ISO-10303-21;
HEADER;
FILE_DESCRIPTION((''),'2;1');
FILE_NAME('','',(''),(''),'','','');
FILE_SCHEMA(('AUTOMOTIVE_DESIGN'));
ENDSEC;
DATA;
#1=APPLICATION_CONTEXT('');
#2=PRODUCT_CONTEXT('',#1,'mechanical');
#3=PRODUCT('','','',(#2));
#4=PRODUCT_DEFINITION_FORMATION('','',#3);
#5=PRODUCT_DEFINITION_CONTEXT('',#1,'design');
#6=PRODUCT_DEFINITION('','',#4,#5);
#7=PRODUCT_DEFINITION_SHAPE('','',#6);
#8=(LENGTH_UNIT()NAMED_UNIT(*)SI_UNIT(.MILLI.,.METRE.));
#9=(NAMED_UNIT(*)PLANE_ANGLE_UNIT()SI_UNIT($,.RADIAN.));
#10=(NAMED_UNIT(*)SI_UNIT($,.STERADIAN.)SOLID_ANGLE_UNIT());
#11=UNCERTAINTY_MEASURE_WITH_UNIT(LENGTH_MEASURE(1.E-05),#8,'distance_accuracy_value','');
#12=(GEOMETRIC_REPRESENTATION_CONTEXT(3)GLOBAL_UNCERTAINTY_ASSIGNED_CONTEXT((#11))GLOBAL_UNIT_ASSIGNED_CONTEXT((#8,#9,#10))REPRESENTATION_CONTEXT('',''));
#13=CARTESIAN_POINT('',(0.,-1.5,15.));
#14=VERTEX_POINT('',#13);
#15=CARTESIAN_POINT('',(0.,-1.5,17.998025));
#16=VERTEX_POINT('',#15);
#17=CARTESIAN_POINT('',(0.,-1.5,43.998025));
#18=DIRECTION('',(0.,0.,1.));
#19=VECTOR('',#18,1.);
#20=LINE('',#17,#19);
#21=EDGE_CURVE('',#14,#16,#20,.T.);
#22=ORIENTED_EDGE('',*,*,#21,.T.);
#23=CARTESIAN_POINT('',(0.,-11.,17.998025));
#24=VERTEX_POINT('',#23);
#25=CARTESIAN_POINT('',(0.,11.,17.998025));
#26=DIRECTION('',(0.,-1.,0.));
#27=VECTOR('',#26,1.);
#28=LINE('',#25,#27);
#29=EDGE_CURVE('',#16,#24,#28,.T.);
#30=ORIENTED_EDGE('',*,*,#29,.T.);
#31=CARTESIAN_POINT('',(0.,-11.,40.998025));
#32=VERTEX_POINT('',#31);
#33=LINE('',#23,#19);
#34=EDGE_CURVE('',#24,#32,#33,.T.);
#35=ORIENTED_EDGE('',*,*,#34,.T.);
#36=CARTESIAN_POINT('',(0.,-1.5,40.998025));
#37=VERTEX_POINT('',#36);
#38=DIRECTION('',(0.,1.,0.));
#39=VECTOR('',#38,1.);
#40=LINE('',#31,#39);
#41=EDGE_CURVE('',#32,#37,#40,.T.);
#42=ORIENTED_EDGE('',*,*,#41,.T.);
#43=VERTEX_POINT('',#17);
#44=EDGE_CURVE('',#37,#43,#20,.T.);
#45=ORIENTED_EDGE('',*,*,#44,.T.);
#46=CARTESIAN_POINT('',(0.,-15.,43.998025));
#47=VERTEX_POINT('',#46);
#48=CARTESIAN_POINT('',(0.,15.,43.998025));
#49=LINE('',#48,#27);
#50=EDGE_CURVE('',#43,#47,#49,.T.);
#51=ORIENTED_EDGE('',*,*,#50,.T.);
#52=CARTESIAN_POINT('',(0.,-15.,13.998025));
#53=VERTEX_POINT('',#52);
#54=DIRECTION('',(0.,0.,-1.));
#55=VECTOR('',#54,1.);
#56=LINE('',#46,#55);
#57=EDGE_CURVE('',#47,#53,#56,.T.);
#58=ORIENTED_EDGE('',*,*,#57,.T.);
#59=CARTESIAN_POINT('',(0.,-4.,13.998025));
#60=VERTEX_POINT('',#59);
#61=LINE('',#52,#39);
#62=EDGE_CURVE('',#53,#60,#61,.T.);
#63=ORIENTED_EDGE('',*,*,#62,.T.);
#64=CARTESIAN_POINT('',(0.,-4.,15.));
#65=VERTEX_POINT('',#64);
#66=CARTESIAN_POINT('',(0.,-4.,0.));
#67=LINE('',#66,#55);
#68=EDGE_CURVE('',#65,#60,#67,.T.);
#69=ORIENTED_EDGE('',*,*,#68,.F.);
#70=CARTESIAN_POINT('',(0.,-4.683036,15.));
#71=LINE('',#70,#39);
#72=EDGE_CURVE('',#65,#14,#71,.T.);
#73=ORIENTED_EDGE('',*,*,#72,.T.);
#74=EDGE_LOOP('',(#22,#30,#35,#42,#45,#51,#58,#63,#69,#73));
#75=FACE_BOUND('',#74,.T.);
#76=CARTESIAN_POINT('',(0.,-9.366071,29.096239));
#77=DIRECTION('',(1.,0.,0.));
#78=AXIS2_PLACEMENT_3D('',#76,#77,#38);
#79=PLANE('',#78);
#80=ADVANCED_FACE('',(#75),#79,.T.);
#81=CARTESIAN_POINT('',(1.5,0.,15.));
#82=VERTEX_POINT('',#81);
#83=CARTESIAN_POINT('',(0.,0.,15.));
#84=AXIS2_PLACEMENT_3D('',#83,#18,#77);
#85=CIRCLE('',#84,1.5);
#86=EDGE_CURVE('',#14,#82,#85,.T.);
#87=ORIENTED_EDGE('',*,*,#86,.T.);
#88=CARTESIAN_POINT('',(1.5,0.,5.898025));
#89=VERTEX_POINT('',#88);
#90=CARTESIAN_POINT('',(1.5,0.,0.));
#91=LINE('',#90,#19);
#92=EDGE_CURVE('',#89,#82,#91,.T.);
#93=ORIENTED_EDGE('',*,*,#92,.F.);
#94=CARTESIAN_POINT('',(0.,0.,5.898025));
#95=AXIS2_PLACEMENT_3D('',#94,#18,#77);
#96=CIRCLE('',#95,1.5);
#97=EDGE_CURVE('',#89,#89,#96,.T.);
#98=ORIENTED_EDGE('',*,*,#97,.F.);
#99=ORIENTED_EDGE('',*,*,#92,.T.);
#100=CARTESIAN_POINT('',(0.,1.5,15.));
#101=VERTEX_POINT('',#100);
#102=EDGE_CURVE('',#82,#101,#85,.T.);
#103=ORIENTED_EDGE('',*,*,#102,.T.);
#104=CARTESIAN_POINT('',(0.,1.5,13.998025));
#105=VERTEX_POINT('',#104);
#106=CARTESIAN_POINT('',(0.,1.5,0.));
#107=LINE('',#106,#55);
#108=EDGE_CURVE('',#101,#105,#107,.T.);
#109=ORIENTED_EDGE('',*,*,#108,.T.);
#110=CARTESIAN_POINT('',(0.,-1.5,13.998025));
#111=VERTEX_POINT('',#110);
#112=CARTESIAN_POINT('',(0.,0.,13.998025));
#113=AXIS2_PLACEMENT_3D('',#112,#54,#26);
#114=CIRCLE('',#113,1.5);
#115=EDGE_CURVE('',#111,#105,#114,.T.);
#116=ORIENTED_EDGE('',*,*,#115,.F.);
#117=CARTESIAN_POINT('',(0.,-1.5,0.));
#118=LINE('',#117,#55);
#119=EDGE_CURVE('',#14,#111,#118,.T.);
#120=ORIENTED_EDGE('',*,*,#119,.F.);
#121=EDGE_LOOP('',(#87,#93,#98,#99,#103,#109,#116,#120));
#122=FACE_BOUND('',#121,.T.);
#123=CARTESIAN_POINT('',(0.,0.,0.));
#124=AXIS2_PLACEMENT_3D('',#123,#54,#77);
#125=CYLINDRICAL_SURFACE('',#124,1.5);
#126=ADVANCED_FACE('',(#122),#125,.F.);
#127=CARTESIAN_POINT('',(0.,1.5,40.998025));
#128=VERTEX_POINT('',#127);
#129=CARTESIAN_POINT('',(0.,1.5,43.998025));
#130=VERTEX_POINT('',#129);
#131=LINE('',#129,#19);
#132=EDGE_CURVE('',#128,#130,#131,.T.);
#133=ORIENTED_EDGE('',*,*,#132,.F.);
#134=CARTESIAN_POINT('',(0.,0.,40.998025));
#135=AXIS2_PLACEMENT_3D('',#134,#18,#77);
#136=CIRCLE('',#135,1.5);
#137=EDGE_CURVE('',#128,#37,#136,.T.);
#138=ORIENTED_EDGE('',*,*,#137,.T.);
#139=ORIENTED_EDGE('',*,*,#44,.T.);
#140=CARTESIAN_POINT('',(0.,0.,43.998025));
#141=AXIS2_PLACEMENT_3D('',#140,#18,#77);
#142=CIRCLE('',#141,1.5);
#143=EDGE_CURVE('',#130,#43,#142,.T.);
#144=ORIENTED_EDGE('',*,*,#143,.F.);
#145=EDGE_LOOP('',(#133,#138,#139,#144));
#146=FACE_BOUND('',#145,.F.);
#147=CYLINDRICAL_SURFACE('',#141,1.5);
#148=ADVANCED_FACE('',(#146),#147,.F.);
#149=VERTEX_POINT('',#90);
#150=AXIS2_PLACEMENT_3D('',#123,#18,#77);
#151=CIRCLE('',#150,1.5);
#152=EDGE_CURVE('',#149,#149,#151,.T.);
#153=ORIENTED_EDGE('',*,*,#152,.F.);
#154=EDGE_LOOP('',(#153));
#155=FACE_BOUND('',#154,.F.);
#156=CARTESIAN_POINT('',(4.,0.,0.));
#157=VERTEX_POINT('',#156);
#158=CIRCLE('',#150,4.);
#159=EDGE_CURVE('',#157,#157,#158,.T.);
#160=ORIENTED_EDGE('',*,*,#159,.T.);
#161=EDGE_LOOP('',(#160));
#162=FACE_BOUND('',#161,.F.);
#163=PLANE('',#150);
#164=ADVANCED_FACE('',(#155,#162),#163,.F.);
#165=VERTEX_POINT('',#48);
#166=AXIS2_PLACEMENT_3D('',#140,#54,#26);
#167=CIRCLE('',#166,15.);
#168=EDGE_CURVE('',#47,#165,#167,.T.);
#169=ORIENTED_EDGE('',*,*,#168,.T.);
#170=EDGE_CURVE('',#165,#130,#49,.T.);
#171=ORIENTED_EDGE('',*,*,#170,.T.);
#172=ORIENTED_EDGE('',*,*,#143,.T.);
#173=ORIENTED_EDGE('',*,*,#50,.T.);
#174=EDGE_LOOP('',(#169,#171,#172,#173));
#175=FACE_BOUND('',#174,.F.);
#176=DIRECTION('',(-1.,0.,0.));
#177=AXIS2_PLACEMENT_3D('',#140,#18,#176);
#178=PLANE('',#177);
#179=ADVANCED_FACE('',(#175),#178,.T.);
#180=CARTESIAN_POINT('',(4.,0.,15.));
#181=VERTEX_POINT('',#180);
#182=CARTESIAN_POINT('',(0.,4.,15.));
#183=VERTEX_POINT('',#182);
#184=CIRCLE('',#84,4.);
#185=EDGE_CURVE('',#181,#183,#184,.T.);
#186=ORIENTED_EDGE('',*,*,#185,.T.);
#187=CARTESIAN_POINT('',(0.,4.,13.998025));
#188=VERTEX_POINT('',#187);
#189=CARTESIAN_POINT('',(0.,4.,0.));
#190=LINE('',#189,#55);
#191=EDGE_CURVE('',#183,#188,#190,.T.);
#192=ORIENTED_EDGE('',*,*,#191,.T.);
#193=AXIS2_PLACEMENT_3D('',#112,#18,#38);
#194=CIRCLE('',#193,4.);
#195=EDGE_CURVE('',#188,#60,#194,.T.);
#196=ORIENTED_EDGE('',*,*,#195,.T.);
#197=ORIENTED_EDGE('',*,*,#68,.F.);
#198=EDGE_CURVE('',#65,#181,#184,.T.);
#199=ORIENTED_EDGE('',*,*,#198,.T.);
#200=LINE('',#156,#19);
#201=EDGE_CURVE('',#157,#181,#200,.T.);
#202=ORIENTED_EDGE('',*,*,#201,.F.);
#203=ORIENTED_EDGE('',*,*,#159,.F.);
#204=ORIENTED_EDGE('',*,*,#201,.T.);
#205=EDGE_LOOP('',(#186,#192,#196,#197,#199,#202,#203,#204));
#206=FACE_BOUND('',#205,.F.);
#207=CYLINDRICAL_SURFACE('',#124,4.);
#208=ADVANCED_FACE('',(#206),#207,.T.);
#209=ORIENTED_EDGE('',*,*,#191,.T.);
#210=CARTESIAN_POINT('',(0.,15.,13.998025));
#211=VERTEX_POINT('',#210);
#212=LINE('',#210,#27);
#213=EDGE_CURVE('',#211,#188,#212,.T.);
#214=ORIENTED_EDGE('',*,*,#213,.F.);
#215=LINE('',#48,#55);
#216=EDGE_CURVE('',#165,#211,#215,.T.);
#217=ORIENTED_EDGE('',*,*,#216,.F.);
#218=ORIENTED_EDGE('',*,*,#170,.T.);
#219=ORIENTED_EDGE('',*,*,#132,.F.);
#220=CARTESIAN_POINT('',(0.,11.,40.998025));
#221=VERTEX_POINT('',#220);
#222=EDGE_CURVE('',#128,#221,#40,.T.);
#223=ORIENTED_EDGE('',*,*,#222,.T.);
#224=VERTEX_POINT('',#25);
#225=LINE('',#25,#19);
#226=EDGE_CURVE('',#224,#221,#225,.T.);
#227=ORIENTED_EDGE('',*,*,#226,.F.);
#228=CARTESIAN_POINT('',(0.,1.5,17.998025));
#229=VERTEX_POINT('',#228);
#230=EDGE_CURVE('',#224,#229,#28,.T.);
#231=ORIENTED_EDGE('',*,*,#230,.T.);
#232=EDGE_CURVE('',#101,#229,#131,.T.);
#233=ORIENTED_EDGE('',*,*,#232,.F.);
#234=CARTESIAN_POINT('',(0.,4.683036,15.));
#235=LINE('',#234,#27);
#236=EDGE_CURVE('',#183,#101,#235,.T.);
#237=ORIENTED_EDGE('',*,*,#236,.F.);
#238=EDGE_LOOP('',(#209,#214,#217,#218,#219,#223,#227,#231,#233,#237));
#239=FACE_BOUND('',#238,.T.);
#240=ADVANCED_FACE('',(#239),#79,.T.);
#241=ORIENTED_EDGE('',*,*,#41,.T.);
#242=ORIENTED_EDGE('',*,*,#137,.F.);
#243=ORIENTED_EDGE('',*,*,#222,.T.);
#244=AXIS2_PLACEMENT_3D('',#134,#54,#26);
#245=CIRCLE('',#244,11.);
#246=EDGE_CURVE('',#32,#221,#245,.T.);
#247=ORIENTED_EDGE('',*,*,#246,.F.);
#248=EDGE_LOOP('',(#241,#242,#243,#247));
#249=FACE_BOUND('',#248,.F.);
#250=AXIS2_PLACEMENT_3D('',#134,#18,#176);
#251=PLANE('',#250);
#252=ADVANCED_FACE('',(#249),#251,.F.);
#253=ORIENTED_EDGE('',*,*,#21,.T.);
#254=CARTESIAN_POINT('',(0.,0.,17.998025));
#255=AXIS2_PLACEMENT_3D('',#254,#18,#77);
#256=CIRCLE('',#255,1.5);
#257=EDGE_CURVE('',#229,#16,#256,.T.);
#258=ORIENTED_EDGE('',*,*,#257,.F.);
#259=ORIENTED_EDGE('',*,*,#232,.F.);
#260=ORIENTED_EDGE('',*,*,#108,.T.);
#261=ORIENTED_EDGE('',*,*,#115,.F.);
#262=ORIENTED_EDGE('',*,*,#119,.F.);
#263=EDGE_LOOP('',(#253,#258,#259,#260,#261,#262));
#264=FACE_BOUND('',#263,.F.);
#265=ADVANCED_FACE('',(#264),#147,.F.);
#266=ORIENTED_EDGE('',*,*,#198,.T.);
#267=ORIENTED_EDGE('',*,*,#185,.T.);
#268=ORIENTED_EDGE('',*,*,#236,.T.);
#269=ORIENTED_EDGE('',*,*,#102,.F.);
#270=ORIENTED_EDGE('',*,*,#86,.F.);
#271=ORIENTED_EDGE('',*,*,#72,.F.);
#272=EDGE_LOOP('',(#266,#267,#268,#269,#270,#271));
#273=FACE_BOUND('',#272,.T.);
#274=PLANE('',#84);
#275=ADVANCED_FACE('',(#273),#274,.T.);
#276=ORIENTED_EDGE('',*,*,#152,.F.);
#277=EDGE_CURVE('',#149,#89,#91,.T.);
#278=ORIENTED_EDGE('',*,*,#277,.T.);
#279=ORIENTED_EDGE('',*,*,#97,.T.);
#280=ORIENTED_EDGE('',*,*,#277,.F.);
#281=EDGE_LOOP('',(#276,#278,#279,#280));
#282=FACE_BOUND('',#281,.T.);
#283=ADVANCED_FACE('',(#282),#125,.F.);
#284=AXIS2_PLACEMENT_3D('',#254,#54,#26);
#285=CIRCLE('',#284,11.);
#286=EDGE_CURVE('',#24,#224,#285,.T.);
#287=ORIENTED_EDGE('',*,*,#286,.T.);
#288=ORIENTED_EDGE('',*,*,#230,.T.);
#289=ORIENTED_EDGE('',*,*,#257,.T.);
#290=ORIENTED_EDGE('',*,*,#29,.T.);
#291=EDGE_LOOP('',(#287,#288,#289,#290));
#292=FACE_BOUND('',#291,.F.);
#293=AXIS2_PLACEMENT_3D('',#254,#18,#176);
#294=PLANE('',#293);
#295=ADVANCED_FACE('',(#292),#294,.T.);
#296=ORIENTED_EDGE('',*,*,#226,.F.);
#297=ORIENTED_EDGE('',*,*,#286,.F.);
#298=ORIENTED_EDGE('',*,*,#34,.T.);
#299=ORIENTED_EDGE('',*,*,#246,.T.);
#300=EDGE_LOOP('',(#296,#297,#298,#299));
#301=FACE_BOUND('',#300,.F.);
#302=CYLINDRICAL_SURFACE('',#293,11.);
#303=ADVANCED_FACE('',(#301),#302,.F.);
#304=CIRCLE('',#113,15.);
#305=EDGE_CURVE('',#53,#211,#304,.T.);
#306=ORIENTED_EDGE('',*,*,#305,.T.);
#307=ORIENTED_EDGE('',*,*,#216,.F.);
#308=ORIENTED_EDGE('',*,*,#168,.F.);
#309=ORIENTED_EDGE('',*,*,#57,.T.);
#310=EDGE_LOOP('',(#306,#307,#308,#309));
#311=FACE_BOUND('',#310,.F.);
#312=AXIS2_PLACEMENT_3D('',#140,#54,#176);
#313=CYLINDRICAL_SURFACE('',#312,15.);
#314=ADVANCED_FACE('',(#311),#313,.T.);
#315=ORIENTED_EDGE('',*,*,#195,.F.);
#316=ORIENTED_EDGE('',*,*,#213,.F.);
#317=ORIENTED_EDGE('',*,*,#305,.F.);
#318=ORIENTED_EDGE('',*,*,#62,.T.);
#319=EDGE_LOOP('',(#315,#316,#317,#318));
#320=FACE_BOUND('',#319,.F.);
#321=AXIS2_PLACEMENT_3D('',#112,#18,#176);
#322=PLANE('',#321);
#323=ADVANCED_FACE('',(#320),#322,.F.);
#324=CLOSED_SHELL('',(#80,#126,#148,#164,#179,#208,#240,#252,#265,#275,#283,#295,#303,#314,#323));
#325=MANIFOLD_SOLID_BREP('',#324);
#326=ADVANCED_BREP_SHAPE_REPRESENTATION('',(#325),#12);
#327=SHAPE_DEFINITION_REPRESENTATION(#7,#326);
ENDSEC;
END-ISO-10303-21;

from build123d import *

# Parameters (mm, degrees)
F0_R     = 4
F0_R_2   = 1.5
F1_DEPTH = 15
F3_ANGLE = 180
F4_R     = 1.5
F5_DEPTH = 38.1


with BuildPart() as f1:
    # F0 (on Top) → F1 (new body)
    with BuildSketch(Plane.XY):
        Circle(F0_R)
        Circle(F0_R_2, mode=Mode.SUBTRACT)
    extrude(amount=F1_DEPTH)

    # F2 (on Front) → F3 (revolve, symmetric)
    with BuildSketch(Plane.XZ) as f3_sk:
        Polygon((-15, 13.998025), (0, 13.998025), (0, 17.998025), (-11, 17.998025), (-11, 40.998025), (0, 40.998025), (0, 43.998025), (-15, 43.998025), align=None)
    revolve(axis=Axis((0, 0, 21.028005), (0, 0, -1)), revolution_arc=F3_ANGLE / 2)
    revolve(f3_sk.sketch, axis=Axis((0, 0, 21.028005), (0, 0, 1)), revolution_arc=F3_ANGLE / 2)

    # F4 (on face) → F5 (cut)
    with BuildSketch(Plane.XY.offset(43.998025)):
        Circle(F4_R)
    extrude(amount=-F5_DEPTH, mode=Mode.SUBTRACT)


solid = f1.part
